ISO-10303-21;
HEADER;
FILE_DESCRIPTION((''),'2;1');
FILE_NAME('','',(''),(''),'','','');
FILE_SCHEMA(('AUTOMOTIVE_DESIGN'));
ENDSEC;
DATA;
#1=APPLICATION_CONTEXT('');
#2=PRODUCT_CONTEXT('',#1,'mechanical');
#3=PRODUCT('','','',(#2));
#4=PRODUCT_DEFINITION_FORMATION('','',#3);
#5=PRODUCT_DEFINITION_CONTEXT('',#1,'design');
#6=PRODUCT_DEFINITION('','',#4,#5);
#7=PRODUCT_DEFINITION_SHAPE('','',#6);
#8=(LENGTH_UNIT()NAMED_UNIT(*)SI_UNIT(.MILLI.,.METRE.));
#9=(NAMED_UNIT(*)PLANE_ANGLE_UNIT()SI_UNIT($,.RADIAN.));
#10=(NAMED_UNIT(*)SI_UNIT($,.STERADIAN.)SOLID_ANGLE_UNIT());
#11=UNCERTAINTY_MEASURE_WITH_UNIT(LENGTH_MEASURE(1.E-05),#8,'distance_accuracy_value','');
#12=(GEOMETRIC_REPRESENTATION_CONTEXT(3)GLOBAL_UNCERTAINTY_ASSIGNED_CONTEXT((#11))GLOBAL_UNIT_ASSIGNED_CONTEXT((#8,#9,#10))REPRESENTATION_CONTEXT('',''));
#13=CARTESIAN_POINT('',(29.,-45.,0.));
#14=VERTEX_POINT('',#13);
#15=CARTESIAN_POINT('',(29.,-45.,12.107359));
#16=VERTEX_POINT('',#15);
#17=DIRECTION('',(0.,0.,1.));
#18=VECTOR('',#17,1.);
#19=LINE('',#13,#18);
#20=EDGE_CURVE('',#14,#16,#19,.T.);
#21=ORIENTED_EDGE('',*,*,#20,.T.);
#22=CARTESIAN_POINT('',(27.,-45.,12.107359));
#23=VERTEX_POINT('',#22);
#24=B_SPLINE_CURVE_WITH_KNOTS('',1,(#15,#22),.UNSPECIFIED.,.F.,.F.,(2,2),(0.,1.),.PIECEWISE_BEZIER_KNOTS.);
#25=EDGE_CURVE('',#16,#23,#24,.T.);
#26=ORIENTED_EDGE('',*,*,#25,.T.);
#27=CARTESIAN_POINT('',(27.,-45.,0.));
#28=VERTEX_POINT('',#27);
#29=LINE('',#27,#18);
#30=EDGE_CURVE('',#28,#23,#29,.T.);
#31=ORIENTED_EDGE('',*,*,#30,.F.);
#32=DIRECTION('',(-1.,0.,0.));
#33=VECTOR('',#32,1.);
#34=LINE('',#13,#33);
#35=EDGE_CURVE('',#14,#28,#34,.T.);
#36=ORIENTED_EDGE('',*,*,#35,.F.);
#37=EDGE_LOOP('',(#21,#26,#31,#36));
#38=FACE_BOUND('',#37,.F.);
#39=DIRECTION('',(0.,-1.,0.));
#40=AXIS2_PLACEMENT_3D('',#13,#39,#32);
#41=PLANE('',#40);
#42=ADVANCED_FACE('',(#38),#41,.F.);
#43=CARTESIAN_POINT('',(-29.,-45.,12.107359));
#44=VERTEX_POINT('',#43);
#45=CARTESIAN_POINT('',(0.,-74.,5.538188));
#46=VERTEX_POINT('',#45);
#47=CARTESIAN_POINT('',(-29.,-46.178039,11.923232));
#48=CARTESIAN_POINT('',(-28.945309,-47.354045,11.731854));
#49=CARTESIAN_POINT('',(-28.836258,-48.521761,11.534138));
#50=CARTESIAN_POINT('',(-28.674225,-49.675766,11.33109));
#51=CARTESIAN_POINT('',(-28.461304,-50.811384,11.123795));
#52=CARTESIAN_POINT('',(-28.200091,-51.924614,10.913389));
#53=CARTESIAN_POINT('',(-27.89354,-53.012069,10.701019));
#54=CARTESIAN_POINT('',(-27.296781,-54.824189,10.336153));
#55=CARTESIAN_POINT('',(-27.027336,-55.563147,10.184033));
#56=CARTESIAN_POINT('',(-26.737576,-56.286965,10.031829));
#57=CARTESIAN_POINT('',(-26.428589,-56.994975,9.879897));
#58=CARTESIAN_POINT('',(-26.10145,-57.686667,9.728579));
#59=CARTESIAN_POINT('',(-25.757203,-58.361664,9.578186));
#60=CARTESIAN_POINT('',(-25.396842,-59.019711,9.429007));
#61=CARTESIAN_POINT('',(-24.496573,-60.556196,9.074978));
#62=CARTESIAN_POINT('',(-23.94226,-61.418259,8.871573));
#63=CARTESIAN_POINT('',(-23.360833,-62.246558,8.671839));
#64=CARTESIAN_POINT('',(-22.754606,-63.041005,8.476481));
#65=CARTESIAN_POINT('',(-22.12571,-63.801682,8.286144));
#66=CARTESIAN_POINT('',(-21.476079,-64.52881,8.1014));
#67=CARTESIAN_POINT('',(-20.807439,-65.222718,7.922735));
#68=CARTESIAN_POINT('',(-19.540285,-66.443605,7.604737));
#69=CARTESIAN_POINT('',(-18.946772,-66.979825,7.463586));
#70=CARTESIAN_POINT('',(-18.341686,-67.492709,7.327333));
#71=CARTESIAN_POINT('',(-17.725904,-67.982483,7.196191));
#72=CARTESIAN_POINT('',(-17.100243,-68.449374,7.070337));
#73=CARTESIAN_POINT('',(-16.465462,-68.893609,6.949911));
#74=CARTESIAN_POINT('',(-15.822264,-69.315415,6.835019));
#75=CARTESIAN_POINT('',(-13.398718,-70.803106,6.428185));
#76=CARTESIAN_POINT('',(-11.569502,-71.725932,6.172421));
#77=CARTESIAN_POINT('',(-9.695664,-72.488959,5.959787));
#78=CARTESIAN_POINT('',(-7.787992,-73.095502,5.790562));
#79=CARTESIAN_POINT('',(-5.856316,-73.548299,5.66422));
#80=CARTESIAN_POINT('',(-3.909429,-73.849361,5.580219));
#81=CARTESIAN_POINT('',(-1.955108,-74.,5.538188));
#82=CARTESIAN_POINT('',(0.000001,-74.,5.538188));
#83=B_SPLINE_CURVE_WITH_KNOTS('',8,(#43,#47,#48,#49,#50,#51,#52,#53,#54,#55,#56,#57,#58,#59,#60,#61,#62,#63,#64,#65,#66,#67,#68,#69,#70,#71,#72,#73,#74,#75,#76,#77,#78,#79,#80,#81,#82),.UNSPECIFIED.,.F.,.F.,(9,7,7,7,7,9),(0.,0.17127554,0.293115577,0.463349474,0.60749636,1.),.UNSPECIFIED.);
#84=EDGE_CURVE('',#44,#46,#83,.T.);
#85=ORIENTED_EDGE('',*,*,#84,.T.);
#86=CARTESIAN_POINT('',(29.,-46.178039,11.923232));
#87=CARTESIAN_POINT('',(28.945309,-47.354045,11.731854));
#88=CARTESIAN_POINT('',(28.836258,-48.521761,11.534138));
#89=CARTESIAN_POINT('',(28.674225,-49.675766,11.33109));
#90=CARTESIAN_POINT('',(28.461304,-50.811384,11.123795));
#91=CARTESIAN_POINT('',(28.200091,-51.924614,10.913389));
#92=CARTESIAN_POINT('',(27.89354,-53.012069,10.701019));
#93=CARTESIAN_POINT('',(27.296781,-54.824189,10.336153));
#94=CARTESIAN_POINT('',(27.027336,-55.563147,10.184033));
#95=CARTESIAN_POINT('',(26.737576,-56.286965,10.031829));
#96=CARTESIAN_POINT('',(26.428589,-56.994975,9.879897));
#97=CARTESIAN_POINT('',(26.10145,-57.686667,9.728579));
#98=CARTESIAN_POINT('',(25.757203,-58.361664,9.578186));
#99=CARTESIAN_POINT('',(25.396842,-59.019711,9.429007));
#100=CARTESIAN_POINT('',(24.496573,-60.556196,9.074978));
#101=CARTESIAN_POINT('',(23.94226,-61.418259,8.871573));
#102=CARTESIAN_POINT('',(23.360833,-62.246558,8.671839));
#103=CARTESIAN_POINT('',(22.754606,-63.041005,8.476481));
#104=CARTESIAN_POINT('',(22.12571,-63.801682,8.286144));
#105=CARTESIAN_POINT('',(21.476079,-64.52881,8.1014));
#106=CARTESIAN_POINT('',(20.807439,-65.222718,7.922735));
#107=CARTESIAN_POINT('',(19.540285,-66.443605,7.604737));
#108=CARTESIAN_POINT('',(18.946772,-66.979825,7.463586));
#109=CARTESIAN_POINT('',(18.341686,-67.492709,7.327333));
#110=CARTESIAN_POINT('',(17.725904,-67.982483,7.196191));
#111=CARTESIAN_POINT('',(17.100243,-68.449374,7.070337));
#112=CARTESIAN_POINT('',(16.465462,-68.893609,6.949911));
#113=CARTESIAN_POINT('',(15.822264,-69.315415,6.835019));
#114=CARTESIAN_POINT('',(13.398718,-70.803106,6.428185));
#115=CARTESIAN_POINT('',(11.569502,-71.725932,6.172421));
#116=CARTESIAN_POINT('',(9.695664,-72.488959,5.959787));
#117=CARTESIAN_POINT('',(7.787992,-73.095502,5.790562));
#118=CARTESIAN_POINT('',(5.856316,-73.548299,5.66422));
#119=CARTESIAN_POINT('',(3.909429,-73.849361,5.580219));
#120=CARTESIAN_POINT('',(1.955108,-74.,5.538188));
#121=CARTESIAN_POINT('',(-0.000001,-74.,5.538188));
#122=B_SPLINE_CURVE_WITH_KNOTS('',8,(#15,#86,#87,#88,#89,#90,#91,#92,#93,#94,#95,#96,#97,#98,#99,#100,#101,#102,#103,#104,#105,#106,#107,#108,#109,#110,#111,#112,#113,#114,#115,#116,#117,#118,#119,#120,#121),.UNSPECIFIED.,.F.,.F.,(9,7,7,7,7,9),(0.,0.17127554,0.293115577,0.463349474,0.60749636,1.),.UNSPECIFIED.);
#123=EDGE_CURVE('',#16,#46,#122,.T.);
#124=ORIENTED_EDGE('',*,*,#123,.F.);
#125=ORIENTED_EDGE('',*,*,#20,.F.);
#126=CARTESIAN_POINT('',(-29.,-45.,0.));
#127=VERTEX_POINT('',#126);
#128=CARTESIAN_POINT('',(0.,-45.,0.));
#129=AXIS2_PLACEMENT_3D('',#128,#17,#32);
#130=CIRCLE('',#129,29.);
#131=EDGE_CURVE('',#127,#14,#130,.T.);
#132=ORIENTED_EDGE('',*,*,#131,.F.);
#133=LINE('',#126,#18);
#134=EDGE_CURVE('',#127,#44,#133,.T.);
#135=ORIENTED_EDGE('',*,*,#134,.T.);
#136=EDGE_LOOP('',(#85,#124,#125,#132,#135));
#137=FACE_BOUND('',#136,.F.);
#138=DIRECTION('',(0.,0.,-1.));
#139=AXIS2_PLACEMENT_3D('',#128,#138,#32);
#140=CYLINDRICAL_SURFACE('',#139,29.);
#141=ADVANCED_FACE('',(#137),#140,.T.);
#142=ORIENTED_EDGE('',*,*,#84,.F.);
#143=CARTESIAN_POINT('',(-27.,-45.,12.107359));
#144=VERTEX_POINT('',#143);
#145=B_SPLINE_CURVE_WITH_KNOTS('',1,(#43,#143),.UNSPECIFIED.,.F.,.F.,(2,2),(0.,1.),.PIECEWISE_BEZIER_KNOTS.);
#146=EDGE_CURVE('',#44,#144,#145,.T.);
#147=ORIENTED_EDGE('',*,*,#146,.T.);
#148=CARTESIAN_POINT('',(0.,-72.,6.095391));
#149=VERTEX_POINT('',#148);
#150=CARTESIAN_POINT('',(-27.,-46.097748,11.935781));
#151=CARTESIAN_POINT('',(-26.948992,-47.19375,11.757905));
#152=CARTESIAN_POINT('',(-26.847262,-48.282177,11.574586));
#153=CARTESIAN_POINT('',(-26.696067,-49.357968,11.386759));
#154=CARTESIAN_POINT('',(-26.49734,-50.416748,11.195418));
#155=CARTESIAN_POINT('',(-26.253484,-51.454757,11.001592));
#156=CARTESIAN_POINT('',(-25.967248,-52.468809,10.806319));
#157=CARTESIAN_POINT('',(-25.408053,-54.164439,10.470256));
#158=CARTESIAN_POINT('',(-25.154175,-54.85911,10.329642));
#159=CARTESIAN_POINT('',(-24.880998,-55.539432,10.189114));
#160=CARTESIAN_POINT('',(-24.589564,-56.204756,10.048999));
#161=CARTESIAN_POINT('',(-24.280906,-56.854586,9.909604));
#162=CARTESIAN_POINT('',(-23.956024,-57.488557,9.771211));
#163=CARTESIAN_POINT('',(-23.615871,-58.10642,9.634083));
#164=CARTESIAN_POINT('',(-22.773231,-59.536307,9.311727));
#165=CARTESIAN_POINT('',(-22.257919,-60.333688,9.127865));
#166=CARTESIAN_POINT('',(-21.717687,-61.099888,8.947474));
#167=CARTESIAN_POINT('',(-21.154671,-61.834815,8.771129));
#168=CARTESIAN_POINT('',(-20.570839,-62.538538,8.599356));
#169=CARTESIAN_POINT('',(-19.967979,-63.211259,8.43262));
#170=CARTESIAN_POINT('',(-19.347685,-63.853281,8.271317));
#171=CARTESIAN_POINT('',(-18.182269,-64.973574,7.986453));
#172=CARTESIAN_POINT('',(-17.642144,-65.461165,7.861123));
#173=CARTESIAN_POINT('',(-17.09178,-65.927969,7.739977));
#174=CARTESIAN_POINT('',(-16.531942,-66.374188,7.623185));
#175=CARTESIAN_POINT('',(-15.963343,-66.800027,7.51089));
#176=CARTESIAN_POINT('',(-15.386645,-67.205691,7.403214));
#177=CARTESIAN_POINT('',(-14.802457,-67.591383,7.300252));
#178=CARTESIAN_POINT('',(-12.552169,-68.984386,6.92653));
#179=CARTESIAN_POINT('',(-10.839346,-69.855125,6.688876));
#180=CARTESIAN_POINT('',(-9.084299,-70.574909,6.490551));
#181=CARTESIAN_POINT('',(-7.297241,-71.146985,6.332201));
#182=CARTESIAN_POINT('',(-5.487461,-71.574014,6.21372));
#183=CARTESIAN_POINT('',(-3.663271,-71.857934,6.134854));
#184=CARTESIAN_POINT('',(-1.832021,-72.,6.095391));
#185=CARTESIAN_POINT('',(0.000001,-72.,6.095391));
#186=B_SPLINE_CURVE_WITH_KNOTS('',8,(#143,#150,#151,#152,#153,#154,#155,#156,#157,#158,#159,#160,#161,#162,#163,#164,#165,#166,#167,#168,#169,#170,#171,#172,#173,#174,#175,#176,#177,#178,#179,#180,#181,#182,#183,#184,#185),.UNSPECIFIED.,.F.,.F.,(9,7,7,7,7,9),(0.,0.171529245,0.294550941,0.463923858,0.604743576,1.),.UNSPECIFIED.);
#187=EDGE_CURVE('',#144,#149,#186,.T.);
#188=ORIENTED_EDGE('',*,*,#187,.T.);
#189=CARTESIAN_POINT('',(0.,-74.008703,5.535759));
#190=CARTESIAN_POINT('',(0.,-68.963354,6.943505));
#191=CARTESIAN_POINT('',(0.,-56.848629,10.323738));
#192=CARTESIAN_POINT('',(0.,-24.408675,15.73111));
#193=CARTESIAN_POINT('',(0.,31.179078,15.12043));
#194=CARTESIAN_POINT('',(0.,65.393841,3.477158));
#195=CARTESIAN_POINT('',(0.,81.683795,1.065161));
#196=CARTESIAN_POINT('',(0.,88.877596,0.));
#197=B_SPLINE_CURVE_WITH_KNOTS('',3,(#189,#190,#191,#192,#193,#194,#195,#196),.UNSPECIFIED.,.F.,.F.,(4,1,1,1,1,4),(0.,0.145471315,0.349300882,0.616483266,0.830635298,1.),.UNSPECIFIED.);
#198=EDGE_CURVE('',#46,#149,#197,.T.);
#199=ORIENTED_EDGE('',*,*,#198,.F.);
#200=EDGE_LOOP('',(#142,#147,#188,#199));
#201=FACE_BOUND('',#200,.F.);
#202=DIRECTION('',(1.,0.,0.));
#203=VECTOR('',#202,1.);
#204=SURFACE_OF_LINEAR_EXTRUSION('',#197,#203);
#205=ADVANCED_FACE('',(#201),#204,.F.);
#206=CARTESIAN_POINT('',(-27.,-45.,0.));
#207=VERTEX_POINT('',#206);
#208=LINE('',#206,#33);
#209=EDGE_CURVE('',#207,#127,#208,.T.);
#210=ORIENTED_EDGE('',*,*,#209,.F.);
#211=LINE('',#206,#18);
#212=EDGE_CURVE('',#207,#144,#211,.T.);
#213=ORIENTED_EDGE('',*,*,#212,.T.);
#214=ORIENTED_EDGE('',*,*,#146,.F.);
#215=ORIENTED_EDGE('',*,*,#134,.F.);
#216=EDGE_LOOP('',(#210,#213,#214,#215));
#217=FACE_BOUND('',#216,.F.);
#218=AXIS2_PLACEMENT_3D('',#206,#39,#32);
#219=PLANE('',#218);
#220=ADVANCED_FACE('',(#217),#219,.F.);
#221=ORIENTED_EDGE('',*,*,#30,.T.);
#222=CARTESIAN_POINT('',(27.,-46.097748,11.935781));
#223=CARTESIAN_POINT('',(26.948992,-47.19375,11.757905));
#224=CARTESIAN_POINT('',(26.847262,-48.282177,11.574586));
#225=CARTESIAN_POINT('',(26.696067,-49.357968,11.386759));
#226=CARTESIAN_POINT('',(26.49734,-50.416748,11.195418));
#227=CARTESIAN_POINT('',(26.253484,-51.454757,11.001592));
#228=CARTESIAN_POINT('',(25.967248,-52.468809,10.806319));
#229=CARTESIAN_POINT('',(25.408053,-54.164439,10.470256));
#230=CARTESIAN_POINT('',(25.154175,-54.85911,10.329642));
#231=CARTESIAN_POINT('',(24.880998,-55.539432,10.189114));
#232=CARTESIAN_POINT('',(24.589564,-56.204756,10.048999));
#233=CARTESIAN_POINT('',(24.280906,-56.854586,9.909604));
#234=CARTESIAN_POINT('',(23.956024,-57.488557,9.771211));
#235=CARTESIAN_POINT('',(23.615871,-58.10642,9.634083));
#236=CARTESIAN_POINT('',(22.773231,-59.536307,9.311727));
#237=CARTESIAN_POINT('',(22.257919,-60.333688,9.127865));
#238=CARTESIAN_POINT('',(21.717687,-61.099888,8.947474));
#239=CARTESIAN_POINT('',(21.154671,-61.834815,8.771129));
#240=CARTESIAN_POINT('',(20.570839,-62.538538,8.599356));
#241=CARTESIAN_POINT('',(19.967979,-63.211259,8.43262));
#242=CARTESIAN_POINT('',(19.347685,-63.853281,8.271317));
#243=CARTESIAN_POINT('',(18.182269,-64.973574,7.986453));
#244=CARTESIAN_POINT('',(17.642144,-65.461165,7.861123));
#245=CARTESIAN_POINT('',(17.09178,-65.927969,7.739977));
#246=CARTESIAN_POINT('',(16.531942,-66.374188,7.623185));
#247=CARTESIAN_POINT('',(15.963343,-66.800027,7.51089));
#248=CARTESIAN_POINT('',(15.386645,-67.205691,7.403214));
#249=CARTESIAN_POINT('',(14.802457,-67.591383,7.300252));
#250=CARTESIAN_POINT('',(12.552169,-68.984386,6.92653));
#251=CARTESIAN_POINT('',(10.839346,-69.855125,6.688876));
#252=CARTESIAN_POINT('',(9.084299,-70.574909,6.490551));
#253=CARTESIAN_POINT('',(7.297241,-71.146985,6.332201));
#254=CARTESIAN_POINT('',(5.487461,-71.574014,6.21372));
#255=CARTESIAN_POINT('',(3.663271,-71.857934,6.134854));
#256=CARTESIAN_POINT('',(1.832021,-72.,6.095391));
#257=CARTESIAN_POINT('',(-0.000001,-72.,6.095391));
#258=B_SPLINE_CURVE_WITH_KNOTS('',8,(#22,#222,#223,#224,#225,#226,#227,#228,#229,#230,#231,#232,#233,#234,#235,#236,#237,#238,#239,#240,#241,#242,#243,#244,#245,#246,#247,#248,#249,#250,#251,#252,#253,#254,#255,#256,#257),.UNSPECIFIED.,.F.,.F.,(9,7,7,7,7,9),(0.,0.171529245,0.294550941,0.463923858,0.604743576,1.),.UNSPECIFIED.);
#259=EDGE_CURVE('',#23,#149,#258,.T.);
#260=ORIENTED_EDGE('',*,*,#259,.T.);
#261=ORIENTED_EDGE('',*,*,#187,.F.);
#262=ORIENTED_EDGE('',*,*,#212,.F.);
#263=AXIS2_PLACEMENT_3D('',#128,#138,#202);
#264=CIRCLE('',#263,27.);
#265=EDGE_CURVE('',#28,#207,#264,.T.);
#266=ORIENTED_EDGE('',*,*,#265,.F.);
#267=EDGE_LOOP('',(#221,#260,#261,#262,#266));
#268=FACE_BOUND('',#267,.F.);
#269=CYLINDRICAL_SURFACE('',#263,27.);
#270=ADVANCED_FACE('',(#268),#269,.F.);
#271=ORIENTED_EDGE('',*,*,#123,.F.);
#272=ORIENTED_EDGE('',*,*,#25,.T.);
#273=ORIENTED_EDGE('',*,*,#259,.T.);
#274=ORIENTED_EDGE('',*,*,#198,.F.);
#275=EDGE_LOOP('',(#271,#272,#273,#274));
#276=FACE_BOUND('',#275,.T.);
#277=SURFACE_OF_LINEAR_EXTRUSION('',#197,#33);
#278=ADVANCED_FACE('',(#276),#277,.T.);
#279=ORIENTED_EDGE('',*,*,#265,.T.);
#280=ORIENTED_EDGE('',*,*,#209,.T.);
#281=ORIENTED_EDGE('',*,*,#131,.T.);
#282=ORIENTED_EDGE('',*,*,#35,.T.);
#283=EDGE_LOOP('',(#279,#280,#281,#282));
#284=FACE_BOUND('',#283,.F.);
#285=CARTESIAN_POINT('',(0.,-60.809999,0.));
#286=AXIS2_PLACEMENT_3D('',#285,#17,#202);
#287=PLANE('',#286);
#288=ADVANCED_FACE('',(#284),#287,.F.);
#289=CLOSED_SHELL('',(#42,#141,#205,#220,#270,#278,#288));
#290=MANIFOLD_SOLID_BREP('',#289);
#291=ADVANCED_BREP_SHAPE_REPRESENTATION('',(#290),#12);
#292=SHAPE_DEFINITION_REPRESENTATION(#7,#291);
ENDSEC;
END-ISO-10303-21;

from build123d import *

# Parameters (mm, degrees)
F1_DEPTH = 20
F3_DEPTH = 50


with BuildPart() as f1:
    # F0 (on Top) → F1 (new body)
    with BuildSketch(Plane.XY):
        with BuildLine():
            Line((-27, -45), (-29, -45))
            ThreePointArc((-29, -45), (0, -74), (29, -45))
            Line((29, -45), (27, -45))
            ThreePointArc((27, -45), (0, -72), (-27, -45))
        make_face()
    extrude(amount=F1_DEPTH)

    # F2 (on Right) → F3 (cut, symmetric)
    with BuildSketch(Plane.YZ):
        with BuildLine():
            Line((-93.3947563171, 5.5357594974), (-74.0087032318, 5.5357594974))
            add(Edge.make_bspline(
                [(-74.0087032318, 5.5357594974), (-68.9633540388, 6.9435054036), (-56.8486293801, 10.3237380475), (-24.4086746927, 15.7311099248), (31.1790782781, 15.120430092), (65.3938407392, 3.4771576617), (81.6837946508, 1.0651610488), (88.8775959611, 0)],
                knots=[0, 0, 0, 0, 0.1454713146, 0.3493008817, 0.6164832657, 0.8306352983, 1, 1, 1, 1], degree=3))
            Line((88.8775959611, 0), (88.8775959611, 32.6551534235))
            Line((88.8775959611, 32.6551534235), (-93.3947563171, 32.6551534235))
            Line((-93.3947563171, 32.6551534235), (-93.3947563171, 5.5357594974))
        make_face()
    extrude(amount=F3_DEPTH, both=True, mode=Mode.SUBTRACT)


solid = f1.part
